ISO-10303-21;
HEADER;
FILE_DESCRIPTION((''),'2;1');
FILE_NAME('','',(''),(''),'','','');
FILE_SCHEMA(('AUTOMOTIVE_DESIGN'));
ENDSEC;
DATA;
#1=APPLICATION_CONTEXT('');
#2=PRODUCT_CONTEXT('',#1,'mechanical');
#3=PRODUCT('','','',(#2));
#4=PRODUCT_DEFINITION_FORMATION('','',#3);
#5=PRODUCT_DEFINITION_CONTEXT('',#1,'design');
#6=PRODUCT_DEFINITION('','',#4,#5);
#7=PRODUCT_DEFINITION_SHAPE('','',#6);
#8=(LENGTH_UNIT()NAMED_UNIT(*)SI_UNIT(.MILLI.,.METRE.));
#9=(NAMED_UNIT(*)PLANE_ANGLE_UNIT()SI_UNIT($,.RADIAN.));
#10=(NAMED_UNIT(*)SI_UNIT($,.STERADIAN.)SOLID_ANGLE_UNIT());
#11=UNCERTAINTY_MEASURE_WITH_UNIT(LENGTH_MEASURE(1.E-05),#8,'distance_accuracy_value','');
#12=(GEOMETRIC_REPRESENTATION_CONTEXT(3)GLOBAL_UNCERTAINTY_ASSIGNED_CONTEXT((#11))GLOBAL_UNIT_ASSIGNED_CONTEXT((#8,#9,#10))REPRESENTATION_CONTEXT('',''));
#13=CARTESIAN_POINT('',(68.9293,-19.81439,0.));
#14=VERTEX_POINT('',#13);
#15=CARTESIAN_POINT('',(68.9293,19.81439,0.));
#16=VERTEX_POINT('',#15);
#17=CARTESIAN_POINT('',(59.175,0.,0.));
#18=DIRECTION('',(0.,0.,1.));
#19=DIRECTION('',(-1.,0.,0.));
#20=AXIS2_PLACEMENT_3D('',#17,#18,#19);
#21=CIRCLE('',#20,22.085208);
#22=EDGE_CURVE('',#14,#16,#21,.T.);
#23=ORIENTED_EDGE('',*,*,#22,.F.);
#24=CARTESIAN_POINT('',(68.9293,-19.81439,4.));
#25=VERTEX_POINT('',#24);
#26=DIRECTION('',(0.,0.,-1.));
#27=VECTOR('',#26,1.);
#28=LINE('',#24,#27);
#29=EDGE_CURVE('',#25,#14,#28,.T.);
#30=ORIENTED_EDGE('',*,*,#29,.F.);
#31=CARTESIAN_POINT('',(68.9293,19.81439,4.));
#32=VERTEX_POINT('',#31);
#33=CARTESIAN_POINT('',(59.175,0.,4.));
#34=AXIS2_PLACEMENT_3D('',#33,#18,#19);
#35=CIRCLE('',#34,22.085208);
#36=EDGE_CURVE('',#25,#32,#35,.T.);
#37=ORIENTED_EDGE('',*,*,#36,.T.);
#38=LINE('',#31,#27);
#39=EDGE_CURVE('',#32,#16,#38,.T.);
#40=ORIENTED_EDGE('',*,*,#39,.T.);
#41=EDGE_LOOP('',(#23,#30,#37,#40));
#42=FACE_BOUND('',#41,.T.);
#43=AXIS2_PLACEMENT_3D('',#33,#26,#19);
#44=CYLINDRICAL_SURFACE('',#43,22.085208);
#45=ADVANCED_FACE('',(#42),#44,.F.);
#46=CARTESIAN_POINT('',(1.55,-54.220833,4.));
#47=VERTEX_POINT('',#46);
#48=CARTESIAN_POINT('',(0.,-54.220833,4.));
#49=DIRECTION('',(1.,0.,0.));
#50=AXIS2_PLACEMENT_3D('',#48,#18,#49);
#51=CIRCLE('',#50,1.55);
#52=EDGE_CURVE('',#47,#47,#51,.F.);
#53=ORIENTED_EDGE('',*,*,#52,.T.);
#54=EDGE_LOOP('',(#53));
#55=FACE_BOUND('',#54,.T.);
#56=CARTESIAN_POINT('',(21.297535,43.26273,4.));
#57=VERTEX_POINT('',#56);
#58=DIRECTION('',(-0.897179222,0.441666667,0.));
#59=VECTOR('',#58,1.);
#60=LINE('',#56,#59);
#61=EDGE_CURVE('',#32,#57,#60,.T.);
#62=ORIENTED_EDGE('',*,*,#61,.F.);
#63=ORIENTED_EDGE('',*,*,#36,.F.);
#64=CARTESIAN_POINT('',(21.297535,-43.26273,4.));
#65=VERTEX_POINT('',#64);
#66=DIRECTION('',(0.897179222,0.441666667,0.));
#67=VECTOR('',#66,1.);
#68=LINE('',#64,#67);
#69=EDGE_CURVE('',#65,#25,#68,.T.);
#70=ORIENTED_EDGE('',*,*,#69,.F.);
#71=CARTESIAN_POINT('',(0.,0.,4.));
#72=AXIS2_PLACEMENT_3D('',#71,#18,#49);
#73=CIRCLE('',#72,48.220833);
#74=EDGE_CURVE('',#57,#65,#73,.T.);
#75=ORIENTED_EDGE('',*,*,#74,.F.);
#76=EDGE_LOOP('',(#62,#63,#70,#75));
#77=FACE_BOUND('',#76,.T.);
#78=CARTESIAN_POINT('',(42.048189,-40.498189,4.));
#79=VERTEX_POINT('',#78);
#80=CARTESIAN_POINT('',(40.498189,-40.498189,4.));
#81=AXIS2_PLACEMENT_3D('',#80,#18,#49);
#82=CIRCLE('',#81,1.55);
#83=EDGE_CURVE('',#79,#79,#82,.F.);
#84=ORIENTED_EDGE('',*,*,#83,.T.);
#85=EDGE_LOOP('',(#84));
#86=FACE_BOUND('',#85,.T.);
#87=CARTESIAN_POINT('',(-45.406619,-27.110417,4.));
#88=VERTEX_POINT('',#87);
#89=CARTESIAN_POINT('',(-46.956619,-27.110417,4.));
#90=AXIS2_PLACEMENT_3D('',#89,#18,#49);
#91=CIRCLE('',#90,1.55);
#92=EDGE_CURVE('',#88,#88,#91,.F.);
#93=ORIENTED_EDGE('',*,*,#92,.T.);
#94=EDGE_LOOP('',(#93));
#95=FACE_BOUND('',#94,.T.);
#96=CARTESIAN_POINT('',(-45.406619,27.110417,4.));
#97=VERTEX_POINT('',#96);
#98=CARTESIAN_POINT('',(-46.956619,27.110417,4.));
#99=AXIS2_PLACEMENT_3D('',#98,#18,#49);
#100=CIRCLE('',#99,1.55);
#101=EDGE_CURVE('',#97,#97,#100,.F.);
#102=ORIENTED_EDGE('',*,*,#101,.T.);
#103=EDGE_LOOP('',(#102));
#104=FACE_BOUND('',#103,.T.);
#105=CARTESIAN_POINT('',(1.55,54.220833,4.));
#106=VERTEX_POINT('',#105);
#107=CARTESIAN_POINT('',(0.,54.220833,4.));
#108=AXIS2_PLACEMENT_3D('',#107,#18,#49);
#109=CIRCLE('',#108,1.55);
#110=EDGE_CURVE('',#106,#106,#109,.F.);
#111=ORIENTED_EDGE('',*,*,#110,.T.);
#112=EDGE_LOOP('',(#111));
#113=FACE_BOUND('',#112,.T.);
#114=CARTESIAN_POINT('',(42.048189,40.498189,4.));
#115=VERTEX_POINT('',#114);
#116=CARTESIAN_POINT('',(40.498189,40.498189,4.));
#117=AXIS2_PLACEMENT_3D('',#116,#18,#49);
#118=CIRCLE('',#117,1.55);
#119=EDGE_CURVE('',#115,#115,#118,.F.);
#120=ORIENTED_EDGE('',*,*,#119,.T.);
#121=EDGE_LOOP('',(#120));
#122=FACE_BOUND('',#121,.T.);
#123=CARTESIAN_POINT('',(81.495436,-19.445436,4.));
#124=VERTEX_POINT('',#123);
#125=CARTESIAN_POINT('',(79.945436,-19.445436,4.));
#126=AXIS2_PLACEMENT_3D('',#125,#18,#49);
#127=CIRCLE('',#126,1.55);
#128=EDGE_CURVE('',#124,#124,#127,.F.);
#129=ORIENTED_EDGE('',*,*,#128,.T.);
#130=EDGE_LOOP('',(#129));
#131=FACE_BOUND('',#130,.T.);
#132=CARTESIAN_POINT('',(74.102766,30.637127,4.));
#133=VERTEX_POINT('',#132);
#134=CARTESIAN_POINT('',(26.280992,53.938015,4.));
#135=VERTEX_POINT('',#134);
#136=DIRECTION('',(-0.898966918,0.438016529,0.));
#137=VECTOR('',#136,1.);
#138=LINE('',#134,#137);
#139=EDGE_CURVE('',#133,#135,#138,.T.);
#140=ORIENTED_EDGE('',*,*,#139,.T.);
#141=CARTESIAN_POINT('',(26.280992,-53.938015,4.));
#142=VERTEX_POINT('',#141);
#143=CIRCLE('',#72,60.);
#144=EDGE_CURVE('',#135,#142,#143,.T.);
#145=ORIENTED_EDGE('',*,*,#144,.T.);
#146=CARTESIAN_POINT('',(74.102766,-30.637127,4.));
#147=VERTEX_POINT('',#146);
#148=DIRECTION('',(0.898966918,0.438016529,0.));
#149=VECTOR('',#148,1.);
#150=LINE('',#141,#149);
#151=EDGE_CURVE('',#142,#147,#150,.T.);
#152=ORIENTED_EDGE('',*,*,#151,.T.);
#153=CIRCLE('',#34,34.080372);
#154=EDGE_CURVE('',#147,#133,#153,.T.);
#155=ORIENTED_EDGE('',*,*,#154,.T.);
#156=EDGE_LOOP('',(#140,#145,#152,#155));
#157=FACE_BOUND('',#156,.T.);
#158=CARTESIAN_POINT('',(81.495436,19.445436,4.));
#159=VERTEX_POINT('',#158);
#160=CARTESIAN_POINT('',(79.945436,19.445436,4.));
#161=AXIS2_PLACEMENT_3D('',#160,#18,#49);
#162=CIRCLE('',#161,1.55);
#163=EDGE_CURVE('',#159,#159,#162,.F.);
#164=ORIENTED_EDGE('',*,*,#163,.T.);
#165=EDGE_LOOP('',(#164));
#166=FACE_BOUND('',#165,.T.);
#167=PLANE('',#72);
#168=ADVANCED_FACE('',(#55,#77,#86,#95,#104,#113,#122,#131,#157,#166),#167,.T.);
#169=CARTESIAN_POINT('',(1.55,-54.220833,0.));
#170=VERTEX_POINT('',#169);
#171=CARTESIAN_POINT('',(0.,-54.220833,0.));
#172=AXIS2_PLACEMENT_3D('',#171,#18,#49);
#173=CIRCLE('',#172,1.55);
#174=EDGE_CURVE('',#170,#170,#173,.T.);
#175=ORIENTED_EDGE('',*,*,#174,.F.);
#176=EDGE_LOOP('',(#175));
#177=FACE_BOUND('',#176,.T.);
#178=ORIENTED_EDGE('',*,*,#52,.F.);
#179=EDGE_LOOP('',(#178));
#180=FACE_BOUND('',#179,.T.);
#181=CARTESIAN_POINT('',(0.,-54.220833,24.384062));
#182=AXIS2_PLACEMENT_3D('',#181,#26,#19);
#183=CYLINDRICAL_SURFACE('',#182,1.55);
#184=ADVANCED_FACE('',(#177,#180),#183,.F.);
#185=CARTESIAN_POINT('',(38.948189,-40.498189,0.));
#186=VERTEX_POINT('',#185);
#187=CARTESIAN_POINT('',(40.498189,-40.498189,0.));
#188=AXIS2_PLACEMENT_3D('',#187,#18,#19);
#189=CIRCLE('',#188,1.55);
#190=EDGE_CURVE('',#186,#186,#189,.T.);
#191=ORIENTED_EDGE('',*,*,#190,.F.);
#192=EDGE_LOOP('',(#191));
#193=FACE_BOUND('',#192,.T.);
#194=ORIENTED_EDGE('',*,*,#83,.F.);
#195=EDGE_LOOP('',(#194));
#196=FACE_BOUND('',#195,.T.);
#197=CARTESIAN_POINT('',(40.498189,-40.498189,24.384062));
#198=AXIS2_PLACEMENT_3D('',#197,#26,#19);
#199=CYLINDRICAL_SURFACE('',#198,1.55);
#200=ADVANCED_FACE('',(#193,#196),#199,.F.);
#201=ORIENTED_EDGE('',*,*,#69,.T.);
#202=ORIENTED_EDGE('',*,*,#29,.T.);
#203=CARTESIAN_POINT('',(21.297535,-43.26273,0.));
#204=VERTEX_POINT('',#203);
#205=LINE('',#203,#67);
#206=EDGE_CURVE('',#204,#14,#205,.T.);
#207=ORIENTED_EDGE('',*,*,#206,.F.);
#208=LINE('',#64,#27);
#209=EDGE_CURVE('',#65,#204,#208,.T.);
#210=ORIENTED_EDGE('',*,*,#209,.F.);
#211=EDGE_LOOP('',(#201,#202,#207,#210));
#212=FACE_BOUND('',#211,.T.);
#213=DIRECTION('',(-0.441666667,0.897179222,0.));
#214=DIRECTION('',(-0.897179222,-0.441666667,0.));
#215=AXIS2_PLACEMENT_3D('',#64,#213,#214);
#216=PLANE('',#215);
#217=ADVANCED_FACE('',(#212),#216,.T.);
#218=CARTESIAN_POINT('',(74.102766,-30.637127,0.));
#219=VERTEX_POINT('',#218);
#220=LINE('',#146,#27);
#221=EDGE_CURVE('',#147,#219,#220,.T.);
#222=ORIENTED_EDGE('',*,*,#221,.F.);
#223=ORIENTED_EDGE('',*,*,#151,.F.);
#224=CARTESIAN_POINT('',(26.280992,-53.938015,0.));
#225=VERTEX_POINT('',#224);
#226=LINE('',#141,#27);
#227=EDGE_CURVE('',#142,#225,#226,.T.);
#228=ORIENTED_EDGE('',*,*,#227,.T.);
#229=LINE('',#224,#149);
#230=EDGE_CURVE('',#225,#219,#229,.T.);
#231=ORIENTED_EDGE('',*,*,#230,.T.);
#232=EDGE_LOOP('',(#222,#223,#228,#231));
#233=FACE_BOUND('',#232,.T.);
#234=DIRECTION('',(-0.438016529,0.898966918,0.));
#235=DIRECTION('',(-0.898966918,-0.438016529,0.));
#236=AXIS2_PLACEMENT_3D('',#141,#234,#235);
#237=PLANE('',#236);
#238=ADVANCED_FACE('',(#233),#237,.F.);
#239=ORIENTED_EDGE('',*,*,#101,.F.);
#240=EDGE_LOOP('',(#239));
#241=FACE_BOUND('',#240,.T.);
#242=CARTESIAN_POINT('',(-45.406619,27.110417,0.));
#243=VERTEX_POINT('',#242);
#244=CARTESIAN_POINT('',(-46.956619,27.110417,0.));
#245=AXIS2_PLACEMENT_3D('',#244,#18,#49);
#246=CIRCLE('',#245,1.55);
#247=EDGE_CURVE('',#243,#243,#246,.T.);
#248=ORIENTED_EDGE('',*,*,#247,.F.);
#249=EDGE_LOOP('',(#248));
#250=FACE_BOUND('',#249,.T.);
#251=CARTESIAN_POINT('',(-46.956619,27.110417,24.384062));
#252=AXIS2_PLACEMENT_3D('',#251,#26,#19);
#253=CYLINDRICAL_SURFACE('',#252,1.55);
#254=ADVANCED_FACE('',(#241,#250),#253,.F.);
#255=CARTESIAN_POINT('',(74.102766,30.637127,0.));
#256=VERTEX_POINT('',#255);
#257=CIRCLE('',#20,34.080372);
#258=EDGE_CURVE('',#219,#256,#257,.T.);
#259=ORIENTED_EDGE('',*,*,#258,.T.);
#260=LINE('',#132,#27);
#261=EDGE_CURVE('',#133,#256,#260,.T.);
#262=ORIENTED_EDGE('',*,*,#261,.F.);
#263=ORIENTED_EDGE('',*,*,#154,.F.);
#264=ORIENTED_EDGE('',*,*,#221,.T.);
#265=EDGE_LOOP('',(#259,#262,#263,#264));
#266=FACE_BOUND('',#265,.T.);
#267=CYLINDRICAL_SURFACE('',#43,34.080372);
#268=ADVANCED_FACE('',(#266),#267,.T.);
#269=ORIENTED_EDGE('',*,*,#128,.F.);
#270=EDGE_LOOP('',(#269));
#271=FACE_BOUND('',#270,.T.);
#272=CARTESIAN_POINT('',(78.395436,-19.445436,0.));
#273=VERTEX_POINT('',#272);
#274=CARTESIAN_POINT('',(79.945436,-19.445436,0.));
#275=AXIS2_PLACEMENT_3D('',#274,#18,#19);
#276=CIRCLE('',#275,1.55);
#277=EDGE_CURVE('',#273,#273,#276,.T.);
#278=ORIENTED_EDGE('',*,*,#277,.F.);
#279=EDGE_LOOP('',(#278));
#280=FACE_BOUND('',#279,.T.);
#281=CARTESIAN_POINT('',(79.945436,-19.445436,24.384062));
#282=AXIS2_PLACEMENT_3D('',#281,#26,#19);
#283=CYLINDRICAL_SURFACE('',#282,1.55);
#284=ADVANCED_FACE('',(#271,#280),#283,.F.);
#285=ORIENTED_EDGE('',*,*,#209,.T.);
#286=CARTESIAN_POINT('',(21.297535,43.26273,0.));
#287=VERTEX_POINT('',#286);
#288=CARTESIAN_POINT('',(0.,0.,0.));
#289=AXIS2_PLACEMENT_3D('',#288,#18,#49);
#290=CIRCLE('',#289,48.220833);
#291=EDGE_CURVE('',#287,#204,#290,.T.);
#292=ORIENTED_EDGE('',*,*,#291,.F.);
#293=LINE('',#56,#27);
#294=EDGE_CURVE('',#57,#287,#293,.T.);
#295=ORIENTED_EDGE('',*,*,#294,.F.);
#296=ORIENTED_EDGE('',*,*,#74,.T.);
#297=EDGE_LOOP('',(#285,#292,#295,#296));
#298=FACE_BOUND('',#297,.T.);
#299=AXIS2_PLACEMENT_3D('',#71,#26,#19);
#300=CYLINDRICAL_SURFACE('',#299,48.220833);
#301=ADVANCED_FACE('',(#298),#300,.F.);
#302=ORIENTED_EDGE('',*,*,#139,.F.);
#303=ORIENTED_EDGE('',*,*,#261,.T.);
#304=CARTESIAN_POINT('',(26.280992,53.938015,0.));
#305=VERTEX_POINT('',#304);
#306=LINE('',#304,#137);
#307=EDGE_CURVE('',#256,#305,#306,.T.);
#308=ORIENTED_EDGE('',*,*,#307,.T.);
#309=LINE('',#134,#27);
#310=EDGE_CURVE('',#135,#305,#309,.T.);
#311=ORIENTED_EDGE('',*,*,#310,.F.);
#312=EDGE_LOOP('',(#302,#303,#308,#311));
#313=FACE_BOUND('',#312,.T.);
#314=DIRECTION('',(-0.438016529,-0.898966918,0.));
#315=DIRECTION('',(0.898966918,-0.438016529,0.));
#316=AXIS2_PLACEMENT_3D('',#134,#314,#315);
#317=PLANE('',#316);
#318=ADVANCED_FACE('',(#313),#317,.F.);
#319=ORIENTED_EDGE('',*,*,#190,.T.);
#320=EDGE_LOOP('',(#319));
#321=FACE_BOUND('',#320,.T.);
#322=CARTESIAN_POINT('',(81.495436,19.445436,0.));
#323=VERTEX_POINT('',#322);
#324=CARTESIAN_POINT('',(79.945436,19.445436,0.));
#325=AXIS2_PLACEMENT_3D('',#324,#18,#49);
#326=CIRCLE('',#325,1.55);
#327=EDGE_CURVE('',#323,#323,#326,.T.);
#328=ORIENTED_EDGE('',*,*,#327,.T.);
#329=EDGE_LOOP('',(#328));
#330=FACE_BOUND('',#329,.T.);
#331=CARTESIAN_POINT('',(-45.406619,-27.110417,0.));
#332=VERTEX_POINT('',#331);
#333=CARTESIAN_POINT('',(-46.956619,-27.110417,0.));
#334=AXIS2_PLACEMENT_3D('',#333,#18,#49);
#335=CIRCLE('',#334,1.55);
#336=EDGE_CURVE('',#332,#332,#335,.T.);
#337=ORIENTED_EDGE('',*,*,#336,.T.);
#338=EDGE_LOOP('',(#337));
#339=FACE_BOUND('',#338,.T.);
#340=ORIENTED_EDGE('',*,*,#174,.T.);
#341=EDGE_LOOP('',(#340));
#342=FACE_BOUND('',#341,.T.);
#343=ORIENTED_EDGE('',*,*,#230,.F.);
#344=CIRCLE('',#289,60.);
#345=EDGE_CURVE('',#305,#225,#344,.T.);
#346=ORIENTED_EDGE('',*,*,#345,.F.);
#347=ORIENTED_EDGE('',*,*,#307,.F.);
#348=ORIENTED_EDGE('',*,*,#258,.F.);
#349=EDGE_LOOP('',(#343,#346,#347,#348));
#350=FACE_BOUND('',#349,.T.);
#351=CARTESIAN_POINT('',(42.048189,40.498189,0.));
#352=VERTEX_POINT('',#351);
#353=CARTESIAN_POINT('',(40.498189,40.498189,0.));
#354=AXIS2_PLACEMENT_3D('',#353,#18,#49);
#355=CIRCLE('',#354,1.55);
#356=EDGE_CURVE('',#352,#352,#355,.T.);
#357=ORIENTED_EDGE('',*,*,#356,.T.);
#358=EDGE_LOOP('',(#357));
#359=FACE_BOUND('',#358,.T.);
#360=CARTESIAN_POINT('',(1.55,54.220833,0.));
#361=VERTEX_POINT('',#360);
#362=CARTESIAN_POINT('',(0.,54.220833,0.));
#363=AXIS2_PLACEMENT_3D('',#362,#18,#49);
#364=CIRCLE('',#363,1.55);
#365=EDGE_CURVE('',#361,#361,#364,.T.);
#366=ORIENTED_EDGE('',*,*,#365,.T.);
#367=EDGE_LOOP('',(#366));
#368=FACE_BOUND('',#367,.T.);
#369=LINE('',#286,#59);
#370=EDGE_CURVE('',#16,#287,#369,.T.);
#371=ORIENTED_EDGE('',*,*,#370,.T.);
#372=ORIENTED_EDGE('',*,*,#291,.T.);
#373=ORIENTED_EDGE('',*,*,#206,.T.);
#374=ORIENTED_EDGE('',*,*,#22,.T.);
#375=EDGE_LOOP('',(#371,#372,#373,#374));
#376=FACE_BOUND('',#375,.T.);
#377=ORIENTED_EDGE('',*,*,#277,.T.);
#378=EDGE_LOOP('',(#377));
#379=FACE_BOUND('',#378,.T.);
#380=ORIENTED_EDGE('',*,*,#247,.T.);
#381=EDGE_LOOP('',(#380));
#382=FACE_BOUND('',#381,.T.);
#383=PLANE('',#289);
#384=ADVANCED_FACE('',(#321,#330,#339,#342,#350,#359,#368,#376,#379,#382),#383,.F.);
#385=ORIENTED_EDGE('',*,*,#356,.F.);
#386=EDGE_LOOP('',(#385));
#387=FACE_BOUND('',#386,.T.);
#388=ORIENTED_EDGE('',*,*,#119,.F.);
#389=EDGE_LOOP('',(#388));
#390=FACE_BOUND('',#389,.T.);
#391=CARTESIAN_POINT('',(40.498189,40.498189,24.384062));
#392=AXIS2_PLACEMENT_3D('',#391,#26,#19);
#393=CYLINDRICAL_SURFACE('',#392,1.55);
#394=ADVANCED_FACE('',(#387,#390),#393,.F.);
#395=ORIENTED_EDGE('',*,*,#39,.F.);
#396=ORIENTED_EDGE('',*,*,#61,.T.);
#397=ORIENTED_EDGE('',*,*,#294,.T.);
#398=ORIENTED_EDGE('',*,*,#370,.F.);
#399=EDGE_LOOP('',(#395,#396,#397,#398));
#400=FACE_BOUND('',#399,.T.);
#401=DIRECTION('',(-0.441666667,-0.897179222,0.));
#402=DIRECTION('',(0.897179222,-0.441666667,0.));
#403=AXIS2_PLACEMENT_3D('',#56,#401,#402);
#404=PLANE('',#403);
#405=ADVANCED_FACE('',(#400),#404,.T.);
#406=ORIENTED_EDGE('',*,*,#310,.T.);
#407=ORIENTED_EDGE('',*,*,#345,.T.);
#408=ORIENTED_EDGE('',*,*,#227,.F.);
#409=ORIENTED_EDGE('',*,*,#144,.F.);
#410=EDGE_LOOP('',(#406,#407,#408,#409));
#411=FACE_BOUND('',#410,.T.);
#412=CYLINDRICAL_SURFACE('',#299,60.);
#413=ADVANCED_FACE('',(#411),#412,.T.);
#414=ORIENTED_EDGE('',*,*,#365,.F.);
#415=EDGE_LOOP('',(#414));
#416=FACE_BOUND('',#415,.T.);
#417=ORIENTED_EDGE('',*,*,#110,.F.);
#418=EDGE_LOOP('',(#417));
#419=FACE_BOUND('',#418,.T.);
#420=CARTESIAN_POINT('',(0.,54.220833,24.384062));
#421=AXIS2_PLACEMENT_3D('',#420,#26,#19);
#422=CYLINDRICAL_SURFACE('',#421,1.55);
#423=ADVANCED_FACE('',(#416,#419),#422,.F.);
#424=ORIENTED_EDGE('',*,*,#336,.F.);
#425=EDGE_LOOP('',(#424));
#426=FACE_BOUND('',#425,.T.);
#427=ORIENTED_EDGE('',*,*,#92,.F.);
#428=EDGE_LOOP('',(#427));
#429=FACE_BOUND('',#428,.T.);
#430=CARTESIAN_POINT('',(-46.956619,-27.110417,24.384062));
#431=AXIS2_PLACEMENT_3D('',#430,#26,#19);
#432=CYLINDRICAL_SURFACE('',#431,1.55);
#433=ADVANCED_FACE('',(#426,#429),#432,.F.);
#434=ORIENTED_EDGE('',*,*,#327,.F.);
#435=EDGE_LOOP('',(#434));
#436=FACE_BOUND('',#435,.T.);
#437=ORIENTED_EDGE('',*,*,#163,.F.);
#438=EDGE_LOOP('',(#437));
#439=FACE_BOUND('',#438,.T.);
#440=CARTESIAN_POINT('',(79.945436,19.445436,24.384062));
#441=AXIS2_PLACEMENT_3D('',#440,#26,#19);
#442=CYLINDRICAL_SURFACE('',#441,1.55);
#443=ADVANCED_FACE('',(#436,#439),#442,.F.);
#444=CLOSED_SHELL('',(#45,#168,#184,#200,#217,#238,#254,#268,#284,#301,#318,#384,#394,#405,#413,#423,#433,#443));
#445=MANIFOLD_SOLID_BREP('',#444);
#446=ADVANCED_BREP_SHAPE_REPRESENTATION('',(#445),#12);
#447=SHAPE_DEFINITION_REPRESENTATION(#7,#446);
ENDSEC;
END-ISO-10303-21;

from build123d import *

# Parameters (mm, degrees)
BOSS_EXTRUDE2_DEPTH     = 4
CUT_EXTRUDE4_DEPTH      = 6
CUT_EXTRUDE4_DEPTH_BACK = 111.961995243
SKETCH11_R              = 1.55


with BuildPart() as part:
    # Sketch1 → Boss-Extrude2 (new body)
    with BuildSketch(Plane.XY):
        with BuildLine():
            Line((26.280991736, 53.938015104), (74.102766205, 30.637126906))
            ThreePointArc((74.102766205, 30.637126906), (93.255371901, 0), (74.102766205, -30.637126906))
            Line((74.102766205, -30.637126906), (26.280991736, -53.938015104))
            ThreePointArc((26.280991736, -53.938015104), (-60, 0), (26.280991736, 53.938015104))
        make_face()
        with BuildLine():
            Line((21.297534718, 43.26272971), (68.929300346, 19.81439002))
            ThreePointArc((68.929300346, 19.81439002), (81.260208333, 0), (68.929300346, -19.81439002))
            Line((68.929300346, -19.81439002), (21.297534718, -43.26272971))
            ThreePointArc((21.297534718, -43.26272971), (-48.22083333, 0), (21.297534718, 43.26272971))
        make_face(mode=Mode.SUBTRACT)
    extrude(amount=BOSS_EXTRUDE2_DEPTH)

    # Sketch11 → Cut-Extrude4 (cut, two sides: drawn at the far end of the back side and taken through both)
    with BuildSketch(Plane.XY.offset(4).offset(-CUT_EXTRUDE4_DEPTH_BACK)):
        with Locations((0, 54.22083333)):
            Circle(SKETCH11_R)
        with Locations((-46.956619078, 27.110416665)):
            Circle(SKETCH11_R)
        with Locations((-46.956619078, -27.110416665)):
            Circle(SKETCH11_R)
        with Locations((0, -54.22083333)):
            Circle(SKETCH11_R)
        with Locations((79.945436483, 19.445436483)):
            Circle(SKETCH11_R)
        with Locations((40.498188633, 40.498188633)):
            Circle(SKETCH11_R)
        with Locations(Location((79.945436483, -19.445436483, 0), (0, 0, 180))):
            Circle(SKETCH11_R)
        with Locations(Location((40.498188633, -40.498188633, 0), (0, 0, 180))):
            Circle(SKETCH11_R)
    extrude(amount=CUT_EXTRUDE4_DEPTH + CUT_EXTRUDE4_DEPTH_BACK, mode=Mode.SUBTRACT)


solid = part.part
